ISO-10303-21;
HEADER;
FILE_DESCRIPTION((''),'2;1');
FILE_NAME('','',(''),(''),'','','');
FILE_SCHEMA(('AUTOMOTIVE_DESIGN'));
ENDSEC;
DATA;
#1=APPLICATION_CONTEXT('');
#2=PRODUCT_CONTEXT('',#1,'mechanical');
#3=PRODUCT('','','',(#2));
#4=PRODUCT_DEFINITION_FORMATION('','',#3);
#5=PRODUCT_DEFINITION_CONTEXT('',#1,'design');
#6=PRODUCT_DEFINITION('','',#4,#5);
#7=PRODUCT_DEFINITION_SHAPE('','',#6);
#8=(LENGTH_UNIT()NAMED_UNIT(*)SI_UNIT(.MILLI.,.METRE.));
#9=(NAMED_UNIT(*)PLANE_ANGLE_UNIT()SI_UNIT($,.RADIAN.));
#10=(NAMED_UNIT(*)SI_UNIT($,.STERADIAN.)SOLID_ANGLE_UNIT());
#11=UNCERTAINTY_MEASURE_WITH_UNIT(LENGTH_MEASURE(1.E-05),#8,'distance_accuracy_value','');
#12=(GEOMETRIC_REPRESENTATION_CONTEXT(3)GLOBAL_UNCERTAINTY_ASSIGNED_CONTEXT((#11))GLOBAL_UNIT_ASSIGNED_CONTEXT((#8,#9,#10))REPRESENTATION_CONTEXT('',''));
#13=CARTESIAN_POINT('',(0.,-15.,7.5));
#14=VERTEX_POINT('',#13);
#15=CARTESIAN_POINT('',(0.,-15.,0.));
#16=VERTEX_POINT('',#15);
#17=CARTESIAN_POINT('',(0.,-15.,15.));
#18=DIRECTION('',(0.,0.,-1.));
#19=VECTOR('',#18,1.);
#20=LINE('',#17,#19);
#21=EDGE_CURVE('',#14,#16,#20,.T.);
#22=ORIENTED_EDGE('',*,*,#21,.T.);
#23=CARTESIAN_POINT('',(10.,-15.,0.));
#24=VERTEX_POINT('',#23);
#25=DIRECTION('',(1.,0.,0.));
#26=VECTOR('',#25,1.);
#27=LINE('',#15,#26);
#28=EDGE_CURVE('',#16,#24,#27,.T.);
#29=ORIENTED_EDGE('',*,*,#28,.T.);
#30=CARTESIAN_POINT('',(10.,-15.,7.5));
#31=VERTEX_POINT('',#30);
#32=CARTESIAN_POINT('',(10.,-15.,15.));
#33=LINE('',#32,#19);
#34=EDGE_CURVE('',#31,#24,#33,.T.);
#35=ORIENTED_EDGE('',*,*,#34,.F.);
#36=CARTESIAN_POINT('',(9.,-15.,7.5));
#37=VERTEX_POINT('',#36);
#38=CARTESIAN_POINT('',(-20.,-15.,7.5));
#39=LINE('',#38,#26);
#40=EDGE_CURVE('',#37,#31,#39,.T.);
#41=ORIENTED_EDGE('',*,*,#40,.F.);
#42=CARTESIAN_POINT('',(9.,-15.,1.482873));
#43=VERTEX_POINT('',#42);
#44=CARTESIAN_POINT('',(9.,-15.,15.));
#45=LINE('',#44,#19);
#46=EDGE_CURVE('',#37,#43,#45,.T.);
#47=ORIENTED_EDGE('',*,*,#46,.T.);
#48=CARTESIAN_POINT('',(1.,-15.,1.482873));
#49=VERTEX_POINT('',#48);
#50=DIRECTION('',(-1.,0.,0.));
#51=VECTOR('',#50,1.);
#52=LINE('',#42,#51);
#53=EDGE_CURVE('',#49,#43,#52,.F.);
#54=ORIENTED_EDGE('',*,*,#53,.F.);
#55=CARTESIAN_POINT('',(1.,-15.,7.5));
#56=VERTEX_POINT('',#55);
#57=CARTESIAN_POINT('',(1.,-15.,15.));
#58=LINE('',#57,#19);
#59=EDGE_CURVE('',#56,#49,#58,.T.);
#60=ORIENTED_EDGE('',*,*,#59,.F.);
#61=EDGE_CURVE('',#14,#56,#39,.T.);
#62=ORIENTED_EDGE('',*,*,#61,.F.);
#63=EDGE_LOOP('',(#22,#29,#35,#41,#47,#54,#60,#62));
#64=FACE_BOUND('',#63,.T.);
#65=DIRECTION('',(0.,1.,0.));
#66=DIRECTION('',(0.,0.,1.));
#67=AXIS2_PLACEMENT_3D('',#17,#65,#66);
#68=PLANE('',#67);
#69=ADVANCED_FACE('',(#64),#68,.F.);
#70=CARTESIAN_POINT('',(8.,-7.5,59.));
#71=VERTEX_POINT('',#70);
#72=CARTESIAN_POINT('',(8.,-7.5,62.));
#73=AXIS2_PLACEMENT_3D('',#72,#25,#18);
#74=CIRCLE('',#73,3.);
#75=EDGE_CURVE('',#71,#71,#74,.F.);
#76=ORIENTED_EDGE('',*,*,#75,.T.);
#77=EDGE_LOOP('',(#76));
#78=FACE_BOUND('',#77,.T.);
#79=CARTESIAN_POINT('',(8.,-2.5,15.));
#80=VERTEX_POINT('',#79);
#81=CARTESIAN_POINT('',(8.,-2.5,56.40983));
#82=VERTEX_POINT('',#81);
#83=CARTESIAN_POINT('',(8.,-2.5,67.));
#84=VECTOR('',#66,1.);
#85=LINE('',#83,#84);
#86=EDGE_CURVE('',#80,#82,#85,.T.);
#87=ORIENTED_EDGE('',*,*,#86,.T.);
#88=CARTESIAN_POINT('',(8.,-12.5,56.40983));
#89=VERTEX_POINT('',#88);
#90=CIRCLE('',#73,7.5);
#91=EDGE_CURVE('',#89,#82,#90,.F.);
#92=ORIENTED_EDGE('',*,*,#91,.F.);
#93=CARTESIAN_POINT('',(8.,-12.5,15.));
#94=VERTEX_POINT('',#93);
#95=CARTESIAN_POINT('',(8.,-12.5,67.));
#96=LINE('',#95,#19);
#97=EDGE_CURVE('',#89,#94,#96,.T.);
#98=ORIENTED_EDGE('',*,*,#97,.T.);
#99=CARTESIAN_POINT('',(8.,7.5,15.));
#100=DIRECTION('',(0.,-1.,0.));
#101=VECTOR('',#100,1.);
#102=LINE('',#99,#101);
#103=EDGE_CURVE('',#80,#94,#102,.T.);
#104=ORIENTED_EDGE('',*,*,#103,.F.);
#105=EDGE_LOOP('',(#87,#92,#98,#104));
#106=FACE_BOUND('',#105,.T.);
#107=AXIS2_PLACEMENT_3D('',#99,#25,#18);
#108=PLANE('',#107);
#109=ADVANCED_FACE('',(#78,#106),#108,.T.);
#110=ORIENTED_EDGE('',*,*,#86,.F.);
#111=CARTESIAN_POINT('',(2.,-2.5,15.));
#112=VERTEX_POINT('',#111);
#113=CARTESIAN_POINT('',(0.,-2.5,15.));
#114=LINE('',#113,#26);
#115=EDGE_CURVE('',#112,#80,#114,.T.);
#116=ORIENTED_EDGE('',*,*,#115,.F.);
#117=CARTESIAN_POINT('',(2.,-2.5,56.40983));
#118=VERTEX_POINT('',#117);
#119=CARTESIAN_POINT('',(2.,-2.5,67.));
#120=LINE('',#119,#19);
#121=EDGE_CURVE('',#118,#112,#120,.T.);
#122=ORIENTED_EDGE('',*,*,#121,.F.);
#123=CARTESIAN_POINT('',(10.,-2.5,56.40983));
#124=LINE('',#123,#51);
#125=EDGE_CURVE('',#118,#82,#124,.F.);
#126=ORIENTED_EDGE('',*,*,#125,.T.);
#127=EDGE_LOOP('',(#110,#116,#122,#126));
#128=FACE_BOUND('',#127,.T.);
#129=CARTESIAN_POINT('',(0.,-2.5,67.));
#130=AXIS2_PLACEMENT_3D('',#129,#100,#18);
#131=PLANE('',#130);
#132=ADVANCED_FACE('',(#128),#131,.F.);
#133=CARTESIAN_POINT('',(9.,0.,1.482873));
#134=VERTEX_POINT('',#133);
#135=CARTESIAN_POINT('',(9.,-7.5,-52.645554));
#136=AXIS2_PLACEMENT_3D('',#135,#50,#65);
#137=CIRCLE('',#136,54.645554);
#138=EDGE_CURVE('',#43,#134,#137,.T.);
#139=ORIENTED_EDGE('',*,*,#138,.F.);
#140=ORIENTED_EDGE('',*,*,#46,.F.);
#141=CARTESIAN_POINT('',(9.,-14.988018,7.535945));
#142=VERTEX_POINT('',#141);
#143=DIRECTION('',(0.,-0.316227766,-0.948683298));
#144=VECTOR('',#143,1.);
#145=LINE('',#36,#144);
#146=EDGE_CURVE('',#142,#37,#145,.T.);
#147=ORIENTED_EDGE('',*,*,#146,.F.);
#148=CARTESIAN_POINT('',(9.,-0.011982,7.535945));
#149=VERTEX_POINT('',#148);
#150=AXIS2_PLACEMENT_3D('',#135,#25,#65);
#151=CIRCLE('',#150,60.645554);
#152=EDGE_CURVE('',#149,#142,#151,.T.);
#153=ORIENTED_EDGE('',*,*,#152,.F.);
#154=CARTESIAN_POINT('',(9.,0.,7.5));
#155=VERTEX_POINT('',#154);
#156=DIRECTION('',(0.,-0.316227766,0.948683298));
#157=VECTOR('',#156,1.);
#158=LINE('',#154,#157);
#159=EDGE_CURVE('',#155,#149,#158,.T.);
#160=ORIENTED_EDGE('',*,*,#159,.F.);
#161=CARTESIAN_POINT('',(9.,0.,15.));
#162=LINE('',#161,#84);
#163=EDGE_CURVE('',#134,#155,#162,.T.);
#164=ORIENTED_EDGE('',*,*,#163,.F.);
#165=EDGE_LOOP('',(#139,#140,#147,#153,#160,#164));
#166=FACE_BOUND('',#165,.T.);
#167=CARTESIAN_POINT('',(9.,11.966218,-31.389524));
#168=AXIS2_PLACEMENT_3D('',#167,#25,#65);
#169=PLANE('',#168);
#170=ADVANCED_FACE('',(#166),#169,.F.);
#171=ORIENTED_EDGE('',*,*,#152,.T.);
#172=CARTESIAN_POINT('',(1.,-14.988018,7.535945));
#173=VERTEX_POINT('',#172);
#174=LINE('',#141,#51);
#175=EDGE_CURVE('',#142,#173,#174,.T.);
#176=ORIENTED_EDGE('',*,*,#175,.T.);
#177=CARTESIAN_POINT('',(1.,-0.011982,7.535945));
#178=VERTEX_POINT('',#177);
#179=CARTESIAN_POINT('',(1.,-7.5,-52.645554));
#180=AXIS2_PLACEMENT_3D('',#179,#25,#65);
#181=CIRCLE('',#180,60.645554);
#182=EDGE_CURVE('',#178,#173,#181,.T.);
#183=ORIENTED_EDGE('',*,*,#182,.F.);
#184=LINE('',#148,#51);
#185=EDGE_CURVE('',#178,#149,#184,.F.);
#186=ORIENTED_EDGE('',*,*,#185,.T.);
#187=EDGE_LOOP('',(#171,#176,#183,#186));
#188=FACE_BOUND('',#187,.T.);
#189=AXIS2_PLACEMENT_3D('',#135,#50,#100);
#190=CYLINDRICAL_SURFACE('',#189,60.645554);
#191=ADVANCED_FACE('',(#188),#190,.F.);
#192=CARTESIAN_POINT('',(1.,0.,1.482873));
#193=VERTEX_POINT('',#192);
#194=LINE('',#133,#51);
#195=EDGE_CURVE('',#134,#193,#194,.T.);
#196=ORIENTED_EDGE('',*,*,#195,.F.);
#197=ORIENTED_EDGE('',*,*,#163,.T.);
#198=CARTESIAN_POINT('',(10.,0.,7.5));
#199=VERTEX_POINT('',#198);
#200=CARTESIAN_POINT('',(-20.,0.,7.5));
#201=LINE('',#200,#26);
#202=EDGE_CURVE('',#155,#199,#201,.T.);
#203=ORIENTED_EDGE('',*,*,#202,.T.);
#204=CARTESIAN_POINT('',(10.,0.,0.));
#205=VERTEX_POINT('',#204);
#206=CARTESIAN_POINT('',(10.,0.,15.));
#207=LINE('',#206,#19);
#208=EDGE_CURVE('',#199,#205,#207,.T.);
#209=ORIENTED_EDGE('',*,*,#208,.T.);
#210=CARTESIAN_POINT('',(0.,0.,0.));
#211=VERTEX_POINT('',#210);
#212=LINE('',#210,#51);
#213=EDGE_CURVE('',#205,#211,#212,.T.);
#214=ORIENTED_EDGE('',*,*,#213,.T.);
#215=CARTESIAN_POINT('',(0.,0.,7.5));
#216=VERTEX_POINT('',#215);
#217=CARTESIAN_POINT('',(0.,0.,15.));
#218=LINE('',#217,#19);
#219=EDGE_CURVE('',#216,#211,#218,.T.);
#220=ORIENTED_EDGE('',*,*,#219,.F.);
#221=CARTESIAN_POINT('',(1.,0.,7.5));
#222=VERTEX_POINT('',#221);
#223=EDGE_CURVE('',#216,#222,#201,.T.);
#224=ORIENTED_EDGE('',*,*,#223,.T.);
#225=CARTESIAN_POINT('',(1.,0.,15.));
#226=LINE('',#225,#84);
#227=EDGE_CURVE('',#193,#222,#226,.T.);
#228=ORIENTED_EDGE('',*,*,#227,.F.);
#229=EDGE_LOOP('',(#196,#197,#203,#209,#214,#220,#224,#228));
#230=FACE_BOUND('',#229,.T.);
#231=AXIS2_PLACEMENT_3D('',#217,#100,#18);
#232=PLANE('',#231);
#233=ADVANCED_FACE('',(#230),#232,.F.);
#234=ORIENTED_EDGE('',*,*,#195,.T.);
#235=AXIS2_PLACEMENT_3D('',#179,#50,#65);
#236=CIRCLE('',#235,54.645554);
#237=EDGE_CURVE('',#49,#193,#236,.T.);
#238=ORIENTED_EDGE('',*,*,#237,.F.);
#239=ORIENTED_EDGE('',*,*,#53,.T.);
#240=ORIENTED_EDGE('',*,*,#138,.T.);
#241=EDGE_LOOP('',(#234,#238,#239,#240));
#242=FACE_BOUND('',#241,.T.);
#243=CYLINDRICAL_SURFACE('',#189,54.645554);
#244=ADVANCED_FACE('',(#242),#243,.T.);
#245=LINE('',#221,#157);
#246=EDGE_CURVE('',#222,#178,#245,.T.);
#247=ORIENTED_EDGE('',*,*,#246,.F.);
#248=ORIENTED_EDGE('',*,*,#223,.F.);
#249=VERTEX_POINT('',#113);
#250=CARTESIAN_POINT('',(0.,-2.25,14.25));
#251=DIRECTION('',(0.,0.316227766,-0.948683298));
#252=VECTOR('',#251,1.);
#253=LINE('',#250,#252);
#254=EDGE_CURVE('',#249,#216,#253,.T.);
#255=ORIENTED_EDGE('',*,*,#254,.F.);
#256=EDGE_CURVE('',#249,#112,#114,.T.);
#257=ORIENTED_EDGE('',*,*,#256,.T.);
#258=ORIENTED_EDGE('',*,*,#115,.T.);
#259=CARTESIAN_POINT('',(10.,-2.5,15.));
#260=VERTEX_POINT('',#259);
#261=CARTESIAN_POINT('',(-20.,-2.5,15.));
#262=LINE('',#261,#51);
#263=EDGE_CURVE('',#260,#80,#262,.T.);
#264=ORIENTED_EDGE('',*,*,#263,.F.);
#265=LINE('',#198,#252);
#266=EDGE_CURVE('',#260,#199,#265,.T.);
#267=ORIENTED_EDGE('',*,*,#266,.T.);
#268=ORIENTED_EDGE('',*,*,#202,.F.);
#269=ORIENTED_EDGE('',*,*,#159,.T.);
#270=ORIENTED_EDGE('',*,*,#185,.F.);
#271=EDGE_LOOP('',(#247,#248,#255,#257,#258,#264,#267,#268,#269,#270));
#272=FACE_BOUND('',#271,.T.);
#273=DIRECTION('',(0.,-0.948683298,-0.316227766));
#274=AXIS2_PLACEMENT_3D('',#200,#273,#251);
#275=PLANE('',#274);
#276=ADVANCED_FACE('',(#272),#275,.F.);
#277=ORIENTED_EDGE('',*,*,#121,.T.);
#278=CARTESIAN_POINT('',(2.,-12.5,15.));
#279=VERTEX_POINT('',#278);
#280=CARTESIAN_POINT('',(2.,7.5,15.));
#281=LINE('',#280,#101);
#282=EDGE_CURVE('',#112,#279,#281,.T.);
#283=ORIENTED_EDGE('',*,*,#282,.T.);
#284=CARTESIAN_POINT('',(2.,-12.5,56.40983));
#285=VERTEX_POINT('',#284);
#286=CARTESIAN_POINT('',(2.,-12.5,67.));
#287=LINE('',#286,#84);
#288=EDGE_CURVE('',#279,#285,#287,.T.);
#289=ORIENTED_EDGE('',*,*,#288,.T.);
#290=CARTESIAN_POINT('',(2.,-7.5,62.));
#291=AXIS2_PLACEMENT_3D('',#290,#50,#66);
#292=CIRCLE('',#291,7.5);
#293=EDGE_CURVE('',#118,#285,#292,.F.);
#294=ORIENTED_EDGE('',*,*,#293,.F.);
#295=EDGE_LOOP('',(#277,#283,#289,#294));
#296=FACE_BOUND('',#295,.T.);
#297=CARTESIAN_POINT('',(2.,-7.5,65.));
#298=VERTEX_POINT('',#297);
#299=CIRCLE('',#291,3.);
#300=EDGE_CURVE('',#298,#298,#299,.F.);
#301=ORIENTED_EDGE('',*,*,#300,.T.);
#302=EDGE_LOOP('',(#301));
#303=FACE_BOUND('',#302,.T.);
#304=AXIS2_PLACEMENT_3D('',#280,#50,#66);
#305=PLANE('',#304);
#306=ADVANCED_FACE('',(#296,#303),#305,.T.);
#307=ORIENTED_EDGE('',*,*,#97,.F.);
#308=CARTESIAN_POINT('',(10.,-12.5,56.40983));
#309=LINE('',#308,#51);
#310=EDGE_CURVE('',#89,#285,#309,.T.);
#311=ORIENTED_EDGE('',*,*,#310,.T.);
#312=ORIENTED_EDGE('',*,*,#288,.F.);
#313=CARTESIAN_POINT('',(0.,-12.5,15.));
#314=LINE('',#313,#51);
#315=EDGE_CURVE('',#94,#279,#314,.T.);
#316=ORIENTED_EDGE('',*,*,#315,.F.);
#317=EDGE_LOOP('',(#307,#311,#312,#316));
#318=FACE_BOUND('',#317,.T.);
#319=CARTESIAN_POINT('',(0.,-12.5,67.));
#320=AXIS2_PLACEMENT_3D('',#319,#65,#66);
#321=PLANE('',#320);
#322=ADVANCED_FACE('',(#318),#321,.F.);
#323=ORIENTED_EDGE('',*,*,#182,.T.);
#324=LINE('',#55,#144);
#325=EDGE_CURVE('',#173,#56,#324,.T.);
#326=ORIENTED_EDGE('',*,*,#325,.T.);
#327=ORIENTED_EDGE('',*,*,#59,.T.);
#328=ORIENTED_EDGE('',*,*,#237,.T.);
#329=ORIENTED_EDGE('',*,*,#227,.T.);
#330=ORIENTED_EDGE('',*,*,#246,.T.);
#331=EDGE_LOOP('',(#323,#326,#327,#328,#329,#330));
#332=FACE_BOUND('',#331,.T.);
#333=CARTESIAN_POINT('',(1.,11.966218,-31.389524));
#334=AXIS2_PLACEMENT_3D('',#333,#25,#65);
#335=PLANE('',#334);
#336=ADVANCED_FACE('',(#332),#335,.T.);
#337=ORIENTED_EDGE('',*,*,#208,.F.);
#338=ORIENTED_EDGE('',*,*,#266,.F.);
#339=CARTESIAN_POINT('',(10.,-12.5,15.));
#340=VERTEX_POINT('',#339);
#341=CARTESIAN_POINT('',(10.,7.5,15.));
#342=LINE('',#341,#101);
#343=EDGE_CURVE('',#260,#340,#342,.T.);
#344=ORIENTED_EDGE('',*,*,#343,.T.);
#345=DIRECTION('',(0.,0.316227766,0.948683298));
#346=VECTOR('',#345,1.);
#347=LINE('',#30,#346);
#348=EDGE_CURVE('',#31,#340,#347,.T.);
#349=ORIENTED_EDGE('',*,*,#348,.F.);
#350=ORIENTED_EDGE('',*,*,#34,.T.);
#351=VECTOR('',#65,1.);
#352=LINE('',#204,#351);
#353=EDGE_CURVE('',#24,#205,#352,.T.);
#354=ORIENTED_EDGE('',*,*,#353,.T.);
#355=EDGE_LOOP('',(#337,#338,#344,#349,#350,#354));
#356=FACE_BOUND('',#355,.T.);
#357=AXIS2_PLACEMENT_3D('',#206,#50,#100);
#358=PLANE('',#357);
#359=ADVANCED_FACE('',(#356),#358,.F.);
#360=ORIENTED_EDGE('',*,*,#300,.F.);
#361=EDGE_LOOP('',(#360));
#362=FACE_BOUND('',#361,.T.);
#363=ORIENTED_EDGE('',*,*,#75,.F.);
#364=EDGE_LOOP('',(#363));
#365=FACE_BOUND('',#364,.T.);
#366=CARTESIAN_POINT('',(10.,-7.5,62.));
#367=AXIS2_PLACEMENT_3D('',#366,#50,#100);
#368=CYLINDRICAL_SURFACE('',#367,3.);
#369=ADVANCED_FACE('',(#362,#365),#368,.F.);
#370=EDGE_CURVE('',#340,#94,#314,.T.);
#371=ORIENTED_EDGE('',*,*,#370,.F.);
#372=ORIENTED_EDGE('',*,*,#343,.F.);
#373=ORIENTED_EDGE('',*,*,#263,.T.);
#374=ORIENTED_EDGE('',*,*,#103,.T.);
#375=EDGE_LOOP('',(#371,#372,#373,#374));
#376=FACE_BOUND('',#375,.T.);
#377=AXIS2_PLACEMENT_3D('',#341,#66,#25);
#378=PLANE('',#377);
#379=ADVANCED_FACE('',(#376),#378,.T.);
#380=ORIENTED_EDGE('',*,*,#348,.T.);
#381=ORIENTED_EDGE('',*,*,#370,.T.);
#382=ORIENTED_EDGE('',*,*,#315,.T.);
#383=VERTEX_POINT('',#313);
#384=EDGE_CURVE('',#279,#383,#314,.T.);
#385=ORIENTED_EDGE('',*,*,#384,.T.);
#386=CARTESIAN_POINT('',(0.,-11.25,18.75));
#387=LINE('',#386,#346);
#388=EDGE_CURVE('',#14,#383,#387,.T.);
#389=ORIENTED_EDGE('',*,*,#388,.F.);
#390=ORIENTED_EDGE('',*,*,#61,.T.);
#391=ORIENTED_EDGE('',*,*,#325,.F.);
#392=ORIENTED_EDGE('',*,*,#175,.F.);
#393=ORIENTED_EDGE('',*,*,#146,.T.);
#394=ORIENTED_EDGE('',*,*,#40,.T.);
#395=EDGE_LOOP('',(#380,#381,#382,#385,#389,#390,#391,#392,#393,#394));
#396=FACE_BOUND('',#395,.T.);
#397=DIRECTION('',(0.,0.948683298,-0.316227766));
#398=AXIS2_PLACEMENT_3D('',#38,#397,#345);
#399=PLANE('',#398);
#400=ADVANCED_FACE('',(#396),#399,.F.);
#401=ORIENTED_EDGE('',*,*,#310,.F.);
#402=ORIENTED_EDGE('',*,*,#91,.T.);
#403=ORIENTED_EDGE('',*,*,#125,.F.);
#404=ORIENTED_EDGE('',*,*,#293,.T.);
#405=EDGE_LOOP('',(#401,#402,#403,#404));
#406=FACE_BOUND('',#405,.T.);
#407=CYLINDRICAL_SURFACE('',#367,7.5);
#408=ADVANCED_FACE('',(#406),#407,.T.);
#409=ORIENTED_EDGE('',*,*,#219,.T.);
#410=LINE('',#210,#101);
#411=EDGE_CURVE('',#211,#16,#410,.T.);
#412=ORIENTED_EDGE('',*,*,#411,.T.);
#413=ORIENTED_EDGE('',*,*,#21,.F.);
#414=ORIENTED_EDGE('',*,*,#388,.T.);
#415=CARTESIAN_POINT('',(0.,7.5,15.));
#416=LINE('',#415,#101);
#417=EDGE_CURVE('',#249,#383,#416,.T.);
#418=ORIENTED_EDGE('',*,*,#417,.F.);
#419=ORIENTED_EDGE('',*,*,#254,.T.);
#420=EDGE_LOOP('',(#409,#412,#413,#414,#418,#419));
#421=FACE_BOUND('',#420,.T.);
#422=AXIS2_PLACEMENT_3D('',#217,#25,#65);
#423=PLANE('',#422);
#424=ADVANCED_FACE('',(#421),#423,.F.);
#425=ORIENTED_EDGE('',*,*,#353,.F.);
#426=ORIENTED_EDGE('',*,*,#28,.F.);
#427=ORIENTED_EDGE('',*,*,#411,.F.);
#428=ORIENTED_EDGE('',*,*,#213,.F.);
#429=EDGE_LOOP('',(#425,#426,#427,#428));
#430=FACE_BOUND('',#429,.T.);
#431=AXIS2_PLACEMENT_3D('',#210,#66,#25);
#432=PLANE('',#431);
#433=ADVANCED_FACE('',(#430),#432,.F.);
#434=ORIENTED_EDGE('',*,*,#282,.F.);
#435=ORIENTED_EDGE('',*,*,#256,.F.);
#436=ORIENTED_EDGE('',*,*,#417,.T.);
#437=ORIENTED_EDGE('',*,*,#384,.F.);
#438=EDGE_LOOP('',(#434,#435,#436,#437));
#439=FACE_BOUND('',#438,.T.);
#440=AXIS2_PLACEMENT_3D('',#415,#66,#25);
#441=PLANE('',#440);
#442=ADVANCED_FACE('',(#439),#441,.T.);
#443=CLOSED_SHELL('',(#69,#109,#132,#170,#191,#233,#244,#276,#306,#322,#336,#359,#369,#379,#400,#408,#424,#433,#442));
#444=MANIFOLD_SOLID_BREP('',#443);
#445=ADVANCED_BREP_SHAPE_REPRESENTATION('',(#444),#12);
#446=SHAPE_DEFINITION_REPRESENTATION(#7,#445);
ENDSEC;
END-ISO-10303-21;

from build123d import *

# Parameters (mm, degrees)
SKETCH1_W               = 10
SKETCH1_H               = 15
BOSS_EXTRUDE1_DEPTH     = 15
CUT_EXTRUDE1_DEPTH      = 30
CUT_EXTRUDE3_DEPTH      = 4
CUT_EXTRUDE3_DEPTH_BACK = 4
CUT_EXTRUDE3_START      = -5
SKETCH13_W              = 10
SKETCH13_H              = 10
BOSS_EXTRUDE2_DEPTH     = 52
SKETCH14_R              = 7.5
SKETCH14_R_2            = 5
BOSS_EXTRUDE3_DEPTH     = 10
SKETCH16_R              = 3
CUT_EXTRUDE4_DEPTH      = 10
CUT_EXTRUDE5_DEPTH      = 10
CUT_EXTRUDE5_DEPTH_BACK = 20
SKETCH17_W              = 2
SKETCH17_H              = 56.751381774
SKETCH17_H_2            = 60.928957135


with BuildPart() as part:
    # Sketch1 → Boss-Extrude1 (new body)
    with BuildSketch(Plane.XY):
        with Locations((5, -7.5)):
            Rectangle(SKETCH1_W, SKETCH1_H)
    extrude(amount=BOSS_EXTRUDE1_DEPTH)

    # Sketch2 → Cut-Extrude1 (cut)
    with BuildSketch(Plane(origin=(10, 0, 0), x_dir=(0, 0, -1), z_dir=(1, 0, 0))):
        Polygon((-7.5, 0), (-15, -2.5), (-15, 0), align=None)
        Polygon((-7.5, -15), (-15, -12.5), (-15, -15), align=None)
    extrude(amount=-CUT_EXTRUDE1_DEPTH, mode=Mode.SUBTRACT)

    # Sketch12 → Cut-Extrude3 (cut, two sides: drawn at the far end of the back side and taken through both)
    with BuildSketch(Plane(origin=(10, 0, 0), x_dir=(0, 0, -1), z_dir=(1, 0, 0)).offset(CUT_EXTRUDE3_START - CUT_EXTRUDE3_DEPTH_BACK)):
        with BuildLine():
            ThreePointArc((7.921073494, 33.458565328), (-8, -7.5), (7.921073494, -48.458565328))
            ThreePointArc((7.921073494, -48.458565328), (12.159622245, -48.644856749), (12.345913666, -44.406307999))
            ThreePointArc((12.345913666, -44.406307999), (-2, -7.5), (12.345913666, 29.406307999))
            ThreePointArc((12.345913666, 29.406307999), (12.159622245, 33.644856749), (7.921073494, 33.458565328))
        make_face()
    extrude(amount=CUT_EXTRUDE3_DEPTH + CUT_EXTRUDE3_DEPTH_BACK, mode=Mode.SUBTRACT)

    # Sketch13 → Boss-Extrude2 (add)
    with BuildSketch(Plane.XY.offset(15)):
        with Locations((5, -7.5)):
            Rectangle(SKETCH13_W, SKETCH13_H)
    extrude(amount=BOSS_EXTRUDE2_DEPTH)

    # Sketch14 → Boss-Extrude3 (add)
    with BuildSketch(Plane.ZY):
        with Locations((62, -7.5)):
            Circle(SKETCH14_R)
        with Locations((62, -7.5)):
            Circle(SKETCH14_R_2, mode=Mode.SUBTRACT)
    extrude(amount=-BOSS_EXTRUDE3_DEPTH)

    # Sketch16 → Cut-Extrude4 (cut)
    with BuildSketch(Plane.ZY):
        with Locations(Location((62, -7.5, 0), (0, 0, 270))):
            Circle(SKETCH16_R)
    extrude(amount=-CUT_EXTRUDE4_DEPTH, mode=Mode.SUBTRACT)

    # Sketch17 → Cut-Extrude5 (cut, two sides: drawn at the far end of the back side and taken through both)
    with BuildSketch(Plane(origin=(0, -2.5, 0), x_dir=(1, 0, 0), z_dir=(0, 1, 0)).offset(-CUT_EXTRUDE5_DEPTH_BACK)):
        with Locations((1, -43.375690887)):
            Rectangle(SKETCH17_W, SKETCH17_H)
        with Locations((9, -45.464478568)):
            Rectangle(SKETCH17_W, SKETCH17_H_2)
    extrude(amount=CUT_EXTRUDE5_DEPTH + CUT_EXTRUDE5_DEPTH_BACK, mode=Mode.SUBTRACT)


solid = part.part
